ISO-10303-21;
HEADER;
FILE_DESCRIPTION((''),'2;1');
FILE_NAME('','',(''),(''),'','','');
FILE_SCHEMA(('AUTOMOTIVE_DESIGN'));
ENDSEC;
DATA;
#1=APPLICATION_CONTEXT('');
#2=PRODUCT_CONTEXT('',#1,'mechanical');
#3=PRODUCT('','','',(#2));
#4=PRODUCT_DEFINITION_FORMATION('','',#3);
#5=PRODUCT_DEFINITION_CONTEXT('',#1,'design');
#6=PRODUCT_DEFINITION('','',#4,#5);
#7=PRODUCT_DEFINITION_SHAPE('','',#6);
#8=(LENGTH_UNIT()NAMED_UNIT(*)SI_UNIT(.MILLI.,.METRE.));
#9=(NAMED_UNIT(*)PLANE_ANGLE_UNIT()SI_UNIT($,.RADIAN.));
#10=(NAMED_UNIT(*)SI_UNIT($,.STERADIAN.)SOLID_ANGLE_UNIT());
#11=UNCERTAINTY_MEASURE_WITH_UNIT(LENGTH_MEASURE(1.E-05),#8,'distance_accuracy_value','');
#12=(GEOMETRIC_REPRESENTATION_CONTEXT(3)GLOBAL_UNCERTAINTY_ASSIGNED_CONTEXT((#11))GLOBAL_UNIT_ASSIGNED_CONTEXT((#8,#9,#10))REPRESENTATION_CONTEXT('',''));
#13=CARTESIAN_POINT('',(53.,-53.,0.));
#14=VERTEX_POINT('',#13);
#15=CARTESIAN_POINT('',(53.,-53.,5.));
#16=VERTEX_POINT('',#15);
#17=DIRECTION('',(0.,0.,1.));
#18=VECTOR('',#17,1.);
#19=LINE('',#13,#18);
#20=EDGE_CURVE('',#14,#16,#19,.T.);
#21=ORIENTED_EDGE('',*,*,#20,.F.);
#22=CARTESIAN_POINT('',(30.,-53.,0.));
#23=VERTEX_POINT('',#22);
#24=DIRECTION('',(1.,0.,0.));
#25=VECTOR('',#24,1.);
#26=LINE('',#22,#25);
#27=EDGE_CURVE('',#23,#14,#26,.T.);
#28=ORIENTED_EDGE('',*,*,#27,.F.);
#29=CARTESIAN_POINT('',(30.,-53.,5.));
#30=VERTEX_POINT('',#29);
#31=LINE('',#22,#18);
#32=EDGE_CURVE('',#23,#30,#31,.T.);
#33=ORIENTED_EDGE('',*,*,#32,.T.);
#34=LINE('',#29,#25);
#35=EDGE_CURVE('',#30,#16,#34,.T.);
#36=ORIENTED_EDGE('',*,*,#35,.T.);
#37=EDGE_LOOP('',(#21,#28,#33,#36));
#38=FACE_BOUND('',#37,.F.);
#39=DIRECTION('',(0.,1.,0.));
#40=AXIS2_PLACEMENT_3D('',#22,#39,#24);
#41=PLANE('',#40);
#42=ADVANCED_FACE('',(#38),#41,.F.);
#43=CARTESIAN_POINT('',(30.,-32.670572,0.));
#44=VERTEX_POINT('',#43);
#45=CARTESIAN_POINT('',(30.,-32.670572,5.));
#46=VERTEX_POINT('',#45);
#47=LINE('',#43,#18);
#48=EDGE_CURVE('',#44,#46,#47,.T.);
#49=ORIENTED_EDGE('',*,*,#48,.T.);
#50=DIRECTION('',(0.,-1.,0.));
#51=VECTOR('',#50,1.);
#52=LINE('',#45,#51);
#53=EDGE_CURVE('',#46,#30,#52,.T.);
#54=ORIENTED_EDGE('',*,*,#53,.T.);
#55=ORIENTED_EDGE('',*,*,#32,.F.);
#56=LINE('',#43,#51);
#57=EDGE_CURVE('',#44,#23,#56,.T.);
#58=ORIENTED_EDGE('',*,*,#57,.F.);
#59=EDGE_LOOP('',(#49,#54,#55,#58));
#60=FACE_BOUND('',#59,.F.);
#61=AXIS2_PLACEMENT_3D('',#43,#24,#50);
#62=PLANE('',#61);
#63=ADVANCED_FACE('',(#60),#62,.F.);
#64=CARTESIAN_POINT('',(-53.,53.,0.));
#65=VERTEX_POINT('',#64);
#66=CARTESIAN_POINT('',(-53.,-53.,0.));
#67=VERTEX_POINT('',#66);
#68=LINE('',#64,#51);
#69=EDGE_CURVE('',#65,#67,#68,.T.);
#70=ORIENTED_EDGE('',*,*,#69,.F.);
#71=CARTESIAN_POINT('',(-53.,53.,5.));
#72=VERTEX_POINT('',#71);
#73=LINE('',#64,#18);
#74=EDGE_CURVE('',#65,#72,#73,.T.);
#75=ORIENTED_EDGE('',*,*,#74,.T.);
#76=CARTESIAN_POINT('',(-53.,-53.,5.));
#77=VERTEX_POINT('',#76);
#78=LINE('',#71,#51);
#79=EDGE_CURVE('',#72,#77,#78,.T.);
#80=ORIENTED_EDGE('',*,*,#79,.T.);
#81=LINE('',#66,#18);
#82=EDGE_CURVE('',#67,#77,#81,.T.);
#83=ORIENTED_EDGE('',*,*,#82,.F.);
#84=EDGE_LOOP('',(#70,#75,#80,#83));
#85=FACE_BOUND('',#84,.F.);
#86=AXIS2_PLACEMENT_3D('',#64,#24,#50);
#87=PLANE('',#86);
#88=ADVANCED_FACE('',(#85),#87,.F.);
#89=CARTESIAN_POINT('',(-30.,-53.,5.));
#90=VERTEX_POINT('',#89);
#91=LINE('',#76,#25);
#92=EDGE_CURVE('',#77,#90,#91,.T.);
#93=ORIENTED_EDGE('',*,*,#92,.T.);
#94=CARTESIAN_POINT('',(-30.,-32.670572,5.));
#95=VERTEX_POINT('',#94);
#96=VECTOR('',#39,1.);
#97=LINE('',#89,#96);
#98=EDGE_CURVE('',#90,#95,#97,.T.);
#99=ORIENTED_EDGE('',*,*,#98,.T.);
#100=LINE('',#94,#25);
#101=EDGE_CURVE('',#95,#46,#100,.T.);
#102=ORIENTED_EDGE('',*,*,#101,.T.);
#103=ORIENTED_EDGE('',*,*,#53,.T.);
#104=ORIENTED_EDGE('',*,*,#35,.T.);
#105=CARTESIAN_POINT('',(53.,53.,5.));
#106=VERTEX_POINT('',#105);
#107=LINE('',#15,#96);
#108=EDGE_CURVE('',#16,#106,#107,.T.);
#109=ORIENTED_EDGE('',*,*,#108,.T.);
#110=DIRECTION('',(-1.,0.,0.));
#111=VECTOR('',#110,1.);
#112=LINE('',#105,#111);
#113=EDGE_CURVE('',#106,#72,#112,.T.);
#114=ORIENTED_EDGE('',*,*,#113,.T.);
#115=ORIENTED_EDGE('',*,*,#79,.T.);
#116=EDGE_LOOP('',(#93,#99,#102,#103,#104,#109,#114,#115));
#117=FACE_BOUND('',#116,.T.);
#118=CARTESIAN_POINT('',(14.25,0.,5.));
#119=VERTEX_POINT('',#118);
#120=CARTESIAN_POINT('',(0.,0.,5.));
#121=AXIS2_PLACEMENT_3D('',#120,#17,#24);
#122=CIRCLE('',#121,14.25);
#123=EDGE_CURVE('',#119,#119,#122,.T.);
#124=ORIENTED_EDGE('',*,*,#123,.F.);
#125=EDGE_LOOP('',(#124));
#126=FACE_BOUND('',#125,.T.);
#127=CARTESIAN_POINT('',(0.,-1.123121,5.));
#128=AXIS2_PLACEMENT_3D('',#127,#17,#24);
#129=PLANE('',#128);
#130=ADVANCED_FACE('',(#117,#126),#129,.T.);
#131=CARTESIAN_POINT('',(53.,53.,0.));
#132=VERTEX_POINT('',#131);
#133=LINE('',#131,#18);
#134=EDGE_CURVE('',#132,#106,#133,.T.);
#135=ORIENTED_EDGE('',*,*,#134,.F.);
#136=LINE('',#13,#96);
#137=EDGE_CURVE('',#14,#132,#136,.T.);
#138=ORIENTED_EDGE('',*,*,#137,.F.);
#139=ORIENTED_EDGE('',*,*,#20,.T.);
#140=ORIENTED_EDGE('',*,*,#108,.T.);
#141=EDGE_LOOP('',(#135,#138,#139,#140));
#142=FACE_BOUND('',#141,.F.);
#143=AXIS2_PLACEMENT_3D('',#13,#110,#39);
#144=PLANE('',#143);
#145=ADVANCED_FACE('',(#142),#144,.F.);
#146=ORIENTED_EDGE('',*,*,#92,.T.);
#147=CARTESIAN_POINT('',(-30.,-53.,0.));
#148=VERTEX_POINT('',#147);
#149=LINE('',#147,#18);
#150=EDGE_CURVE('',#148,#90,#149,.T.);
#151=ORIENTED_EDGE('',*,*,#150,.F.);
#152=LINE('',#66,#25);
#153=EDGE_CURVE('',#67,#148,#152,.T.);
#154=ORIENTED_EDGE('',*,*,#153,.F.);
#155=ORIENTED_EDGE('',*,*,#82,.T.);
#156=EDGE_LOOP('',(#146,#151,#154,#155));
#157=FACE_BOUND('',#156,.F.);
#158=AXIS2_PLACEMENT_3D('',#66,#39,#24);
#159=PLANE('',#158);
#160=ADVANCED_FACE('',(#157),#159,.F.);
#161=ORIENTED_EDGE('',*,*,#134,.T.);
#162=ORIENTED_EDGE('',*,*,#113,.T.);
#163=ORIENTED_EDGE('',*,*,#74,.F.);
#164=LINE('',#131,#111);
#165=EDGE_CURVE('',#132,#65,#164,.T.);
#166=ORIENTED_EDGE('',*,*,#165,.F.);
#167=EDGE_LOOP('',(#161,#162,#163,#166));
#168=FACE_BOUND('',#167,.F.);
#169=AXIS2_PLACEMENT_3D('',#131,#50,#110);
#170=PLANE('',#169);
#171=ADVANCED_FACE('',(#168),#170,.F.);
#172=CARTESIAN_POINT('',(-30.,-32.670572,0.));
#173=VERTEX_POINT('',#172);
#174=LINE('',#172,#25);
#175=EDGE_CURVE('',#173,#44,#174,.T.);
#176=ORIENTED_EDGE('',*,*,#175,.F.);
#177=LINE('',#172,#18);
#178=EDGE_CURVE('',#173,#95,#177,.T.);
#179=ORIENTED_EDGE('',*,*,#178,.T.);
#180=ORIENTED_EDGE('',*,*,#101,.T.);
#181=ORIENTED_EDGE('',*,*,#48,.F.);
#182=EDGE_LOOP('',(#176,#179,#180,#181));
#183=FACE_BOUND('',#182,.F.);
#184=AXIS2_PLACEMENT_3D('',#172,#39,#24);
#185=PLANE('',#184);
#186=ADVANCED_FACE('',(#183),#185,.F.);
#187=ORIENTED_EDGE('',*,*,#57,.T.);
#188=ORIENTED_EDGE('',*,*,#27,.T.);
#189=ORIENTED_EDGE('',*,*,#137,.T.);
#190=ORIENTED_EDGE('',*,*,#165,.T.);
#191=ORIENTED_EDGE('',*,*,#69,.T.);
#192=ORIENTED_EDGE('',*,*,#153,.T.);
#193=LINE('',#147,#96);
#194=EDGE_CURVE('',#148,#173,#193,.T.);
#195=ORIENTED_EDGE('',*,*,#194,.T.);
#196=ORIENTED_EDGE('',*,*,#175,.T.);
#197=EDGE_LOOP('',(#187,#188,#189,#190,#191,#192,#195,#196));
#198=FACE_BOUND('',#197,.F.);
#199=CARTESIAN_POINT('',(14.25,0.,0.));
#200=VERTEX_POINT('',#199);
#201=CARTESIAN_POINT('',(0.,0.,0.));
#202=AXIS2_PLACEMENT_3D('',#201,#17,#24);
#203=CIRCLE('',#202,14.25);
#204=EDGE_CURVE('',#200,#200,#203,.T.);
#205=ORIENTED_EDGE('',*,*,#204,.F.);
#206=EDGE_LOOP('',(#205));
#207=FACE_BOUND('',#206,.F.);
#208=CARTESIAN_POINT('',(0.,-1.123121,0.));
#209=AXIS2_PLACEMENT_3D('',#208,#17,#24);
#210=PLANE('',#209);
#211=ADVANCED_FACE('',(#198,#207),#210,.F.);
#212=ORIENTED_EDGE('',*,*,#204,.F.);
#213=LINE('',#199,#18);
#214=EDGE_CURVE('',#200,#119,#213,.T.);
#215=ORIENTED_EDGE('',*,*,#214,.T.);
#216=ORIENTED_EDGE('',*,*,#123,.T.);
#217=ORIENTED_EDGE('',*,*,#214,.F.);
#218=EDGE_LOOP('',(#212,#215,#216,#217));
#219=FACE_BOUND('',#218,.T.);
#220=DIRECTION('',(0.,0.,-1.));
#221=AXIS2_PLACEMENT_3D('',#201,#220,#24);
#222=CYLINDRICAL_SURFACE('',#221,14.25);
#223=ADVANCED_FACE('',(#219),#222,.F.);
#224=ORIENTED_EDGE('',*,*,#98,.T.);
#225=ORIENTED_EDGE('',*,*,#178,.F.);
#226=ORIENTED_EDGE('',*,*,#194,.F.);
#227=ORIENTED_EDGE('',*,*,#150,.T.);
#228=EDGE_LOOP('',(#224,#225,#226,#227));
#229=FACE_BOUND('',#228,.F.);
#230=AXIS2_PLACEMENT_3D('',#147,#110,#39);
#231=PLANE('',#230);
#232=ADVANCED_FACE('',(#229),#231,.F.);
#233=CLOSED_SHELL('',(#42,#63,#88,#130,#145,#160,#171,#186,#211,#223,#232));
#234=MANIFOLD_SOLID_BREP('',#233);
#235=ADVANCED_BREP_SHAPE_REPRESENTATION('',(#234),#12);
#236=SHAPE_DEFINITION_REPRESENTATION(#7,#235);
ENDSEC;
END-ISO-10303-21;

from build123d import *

# Parameters (mm, degrees)
F0_R     = 14.25
F1_DEPTH = 5


with BuildPart() as f1:
    # F0 (on Top) → F1 (new body)
    with BuildSketch(Plane.XY):
        Polygon((53, -53), (53, 53), (-53, 53), (-53, -53), (-30, -53), (-30, -32.670572), (30, -32.670572), (30, -53), align=None)
        Circle(F0_R, mode=Mode.SUBTRACT)
    extrude(amount=F1_DEPTH)


solid = f1.part
